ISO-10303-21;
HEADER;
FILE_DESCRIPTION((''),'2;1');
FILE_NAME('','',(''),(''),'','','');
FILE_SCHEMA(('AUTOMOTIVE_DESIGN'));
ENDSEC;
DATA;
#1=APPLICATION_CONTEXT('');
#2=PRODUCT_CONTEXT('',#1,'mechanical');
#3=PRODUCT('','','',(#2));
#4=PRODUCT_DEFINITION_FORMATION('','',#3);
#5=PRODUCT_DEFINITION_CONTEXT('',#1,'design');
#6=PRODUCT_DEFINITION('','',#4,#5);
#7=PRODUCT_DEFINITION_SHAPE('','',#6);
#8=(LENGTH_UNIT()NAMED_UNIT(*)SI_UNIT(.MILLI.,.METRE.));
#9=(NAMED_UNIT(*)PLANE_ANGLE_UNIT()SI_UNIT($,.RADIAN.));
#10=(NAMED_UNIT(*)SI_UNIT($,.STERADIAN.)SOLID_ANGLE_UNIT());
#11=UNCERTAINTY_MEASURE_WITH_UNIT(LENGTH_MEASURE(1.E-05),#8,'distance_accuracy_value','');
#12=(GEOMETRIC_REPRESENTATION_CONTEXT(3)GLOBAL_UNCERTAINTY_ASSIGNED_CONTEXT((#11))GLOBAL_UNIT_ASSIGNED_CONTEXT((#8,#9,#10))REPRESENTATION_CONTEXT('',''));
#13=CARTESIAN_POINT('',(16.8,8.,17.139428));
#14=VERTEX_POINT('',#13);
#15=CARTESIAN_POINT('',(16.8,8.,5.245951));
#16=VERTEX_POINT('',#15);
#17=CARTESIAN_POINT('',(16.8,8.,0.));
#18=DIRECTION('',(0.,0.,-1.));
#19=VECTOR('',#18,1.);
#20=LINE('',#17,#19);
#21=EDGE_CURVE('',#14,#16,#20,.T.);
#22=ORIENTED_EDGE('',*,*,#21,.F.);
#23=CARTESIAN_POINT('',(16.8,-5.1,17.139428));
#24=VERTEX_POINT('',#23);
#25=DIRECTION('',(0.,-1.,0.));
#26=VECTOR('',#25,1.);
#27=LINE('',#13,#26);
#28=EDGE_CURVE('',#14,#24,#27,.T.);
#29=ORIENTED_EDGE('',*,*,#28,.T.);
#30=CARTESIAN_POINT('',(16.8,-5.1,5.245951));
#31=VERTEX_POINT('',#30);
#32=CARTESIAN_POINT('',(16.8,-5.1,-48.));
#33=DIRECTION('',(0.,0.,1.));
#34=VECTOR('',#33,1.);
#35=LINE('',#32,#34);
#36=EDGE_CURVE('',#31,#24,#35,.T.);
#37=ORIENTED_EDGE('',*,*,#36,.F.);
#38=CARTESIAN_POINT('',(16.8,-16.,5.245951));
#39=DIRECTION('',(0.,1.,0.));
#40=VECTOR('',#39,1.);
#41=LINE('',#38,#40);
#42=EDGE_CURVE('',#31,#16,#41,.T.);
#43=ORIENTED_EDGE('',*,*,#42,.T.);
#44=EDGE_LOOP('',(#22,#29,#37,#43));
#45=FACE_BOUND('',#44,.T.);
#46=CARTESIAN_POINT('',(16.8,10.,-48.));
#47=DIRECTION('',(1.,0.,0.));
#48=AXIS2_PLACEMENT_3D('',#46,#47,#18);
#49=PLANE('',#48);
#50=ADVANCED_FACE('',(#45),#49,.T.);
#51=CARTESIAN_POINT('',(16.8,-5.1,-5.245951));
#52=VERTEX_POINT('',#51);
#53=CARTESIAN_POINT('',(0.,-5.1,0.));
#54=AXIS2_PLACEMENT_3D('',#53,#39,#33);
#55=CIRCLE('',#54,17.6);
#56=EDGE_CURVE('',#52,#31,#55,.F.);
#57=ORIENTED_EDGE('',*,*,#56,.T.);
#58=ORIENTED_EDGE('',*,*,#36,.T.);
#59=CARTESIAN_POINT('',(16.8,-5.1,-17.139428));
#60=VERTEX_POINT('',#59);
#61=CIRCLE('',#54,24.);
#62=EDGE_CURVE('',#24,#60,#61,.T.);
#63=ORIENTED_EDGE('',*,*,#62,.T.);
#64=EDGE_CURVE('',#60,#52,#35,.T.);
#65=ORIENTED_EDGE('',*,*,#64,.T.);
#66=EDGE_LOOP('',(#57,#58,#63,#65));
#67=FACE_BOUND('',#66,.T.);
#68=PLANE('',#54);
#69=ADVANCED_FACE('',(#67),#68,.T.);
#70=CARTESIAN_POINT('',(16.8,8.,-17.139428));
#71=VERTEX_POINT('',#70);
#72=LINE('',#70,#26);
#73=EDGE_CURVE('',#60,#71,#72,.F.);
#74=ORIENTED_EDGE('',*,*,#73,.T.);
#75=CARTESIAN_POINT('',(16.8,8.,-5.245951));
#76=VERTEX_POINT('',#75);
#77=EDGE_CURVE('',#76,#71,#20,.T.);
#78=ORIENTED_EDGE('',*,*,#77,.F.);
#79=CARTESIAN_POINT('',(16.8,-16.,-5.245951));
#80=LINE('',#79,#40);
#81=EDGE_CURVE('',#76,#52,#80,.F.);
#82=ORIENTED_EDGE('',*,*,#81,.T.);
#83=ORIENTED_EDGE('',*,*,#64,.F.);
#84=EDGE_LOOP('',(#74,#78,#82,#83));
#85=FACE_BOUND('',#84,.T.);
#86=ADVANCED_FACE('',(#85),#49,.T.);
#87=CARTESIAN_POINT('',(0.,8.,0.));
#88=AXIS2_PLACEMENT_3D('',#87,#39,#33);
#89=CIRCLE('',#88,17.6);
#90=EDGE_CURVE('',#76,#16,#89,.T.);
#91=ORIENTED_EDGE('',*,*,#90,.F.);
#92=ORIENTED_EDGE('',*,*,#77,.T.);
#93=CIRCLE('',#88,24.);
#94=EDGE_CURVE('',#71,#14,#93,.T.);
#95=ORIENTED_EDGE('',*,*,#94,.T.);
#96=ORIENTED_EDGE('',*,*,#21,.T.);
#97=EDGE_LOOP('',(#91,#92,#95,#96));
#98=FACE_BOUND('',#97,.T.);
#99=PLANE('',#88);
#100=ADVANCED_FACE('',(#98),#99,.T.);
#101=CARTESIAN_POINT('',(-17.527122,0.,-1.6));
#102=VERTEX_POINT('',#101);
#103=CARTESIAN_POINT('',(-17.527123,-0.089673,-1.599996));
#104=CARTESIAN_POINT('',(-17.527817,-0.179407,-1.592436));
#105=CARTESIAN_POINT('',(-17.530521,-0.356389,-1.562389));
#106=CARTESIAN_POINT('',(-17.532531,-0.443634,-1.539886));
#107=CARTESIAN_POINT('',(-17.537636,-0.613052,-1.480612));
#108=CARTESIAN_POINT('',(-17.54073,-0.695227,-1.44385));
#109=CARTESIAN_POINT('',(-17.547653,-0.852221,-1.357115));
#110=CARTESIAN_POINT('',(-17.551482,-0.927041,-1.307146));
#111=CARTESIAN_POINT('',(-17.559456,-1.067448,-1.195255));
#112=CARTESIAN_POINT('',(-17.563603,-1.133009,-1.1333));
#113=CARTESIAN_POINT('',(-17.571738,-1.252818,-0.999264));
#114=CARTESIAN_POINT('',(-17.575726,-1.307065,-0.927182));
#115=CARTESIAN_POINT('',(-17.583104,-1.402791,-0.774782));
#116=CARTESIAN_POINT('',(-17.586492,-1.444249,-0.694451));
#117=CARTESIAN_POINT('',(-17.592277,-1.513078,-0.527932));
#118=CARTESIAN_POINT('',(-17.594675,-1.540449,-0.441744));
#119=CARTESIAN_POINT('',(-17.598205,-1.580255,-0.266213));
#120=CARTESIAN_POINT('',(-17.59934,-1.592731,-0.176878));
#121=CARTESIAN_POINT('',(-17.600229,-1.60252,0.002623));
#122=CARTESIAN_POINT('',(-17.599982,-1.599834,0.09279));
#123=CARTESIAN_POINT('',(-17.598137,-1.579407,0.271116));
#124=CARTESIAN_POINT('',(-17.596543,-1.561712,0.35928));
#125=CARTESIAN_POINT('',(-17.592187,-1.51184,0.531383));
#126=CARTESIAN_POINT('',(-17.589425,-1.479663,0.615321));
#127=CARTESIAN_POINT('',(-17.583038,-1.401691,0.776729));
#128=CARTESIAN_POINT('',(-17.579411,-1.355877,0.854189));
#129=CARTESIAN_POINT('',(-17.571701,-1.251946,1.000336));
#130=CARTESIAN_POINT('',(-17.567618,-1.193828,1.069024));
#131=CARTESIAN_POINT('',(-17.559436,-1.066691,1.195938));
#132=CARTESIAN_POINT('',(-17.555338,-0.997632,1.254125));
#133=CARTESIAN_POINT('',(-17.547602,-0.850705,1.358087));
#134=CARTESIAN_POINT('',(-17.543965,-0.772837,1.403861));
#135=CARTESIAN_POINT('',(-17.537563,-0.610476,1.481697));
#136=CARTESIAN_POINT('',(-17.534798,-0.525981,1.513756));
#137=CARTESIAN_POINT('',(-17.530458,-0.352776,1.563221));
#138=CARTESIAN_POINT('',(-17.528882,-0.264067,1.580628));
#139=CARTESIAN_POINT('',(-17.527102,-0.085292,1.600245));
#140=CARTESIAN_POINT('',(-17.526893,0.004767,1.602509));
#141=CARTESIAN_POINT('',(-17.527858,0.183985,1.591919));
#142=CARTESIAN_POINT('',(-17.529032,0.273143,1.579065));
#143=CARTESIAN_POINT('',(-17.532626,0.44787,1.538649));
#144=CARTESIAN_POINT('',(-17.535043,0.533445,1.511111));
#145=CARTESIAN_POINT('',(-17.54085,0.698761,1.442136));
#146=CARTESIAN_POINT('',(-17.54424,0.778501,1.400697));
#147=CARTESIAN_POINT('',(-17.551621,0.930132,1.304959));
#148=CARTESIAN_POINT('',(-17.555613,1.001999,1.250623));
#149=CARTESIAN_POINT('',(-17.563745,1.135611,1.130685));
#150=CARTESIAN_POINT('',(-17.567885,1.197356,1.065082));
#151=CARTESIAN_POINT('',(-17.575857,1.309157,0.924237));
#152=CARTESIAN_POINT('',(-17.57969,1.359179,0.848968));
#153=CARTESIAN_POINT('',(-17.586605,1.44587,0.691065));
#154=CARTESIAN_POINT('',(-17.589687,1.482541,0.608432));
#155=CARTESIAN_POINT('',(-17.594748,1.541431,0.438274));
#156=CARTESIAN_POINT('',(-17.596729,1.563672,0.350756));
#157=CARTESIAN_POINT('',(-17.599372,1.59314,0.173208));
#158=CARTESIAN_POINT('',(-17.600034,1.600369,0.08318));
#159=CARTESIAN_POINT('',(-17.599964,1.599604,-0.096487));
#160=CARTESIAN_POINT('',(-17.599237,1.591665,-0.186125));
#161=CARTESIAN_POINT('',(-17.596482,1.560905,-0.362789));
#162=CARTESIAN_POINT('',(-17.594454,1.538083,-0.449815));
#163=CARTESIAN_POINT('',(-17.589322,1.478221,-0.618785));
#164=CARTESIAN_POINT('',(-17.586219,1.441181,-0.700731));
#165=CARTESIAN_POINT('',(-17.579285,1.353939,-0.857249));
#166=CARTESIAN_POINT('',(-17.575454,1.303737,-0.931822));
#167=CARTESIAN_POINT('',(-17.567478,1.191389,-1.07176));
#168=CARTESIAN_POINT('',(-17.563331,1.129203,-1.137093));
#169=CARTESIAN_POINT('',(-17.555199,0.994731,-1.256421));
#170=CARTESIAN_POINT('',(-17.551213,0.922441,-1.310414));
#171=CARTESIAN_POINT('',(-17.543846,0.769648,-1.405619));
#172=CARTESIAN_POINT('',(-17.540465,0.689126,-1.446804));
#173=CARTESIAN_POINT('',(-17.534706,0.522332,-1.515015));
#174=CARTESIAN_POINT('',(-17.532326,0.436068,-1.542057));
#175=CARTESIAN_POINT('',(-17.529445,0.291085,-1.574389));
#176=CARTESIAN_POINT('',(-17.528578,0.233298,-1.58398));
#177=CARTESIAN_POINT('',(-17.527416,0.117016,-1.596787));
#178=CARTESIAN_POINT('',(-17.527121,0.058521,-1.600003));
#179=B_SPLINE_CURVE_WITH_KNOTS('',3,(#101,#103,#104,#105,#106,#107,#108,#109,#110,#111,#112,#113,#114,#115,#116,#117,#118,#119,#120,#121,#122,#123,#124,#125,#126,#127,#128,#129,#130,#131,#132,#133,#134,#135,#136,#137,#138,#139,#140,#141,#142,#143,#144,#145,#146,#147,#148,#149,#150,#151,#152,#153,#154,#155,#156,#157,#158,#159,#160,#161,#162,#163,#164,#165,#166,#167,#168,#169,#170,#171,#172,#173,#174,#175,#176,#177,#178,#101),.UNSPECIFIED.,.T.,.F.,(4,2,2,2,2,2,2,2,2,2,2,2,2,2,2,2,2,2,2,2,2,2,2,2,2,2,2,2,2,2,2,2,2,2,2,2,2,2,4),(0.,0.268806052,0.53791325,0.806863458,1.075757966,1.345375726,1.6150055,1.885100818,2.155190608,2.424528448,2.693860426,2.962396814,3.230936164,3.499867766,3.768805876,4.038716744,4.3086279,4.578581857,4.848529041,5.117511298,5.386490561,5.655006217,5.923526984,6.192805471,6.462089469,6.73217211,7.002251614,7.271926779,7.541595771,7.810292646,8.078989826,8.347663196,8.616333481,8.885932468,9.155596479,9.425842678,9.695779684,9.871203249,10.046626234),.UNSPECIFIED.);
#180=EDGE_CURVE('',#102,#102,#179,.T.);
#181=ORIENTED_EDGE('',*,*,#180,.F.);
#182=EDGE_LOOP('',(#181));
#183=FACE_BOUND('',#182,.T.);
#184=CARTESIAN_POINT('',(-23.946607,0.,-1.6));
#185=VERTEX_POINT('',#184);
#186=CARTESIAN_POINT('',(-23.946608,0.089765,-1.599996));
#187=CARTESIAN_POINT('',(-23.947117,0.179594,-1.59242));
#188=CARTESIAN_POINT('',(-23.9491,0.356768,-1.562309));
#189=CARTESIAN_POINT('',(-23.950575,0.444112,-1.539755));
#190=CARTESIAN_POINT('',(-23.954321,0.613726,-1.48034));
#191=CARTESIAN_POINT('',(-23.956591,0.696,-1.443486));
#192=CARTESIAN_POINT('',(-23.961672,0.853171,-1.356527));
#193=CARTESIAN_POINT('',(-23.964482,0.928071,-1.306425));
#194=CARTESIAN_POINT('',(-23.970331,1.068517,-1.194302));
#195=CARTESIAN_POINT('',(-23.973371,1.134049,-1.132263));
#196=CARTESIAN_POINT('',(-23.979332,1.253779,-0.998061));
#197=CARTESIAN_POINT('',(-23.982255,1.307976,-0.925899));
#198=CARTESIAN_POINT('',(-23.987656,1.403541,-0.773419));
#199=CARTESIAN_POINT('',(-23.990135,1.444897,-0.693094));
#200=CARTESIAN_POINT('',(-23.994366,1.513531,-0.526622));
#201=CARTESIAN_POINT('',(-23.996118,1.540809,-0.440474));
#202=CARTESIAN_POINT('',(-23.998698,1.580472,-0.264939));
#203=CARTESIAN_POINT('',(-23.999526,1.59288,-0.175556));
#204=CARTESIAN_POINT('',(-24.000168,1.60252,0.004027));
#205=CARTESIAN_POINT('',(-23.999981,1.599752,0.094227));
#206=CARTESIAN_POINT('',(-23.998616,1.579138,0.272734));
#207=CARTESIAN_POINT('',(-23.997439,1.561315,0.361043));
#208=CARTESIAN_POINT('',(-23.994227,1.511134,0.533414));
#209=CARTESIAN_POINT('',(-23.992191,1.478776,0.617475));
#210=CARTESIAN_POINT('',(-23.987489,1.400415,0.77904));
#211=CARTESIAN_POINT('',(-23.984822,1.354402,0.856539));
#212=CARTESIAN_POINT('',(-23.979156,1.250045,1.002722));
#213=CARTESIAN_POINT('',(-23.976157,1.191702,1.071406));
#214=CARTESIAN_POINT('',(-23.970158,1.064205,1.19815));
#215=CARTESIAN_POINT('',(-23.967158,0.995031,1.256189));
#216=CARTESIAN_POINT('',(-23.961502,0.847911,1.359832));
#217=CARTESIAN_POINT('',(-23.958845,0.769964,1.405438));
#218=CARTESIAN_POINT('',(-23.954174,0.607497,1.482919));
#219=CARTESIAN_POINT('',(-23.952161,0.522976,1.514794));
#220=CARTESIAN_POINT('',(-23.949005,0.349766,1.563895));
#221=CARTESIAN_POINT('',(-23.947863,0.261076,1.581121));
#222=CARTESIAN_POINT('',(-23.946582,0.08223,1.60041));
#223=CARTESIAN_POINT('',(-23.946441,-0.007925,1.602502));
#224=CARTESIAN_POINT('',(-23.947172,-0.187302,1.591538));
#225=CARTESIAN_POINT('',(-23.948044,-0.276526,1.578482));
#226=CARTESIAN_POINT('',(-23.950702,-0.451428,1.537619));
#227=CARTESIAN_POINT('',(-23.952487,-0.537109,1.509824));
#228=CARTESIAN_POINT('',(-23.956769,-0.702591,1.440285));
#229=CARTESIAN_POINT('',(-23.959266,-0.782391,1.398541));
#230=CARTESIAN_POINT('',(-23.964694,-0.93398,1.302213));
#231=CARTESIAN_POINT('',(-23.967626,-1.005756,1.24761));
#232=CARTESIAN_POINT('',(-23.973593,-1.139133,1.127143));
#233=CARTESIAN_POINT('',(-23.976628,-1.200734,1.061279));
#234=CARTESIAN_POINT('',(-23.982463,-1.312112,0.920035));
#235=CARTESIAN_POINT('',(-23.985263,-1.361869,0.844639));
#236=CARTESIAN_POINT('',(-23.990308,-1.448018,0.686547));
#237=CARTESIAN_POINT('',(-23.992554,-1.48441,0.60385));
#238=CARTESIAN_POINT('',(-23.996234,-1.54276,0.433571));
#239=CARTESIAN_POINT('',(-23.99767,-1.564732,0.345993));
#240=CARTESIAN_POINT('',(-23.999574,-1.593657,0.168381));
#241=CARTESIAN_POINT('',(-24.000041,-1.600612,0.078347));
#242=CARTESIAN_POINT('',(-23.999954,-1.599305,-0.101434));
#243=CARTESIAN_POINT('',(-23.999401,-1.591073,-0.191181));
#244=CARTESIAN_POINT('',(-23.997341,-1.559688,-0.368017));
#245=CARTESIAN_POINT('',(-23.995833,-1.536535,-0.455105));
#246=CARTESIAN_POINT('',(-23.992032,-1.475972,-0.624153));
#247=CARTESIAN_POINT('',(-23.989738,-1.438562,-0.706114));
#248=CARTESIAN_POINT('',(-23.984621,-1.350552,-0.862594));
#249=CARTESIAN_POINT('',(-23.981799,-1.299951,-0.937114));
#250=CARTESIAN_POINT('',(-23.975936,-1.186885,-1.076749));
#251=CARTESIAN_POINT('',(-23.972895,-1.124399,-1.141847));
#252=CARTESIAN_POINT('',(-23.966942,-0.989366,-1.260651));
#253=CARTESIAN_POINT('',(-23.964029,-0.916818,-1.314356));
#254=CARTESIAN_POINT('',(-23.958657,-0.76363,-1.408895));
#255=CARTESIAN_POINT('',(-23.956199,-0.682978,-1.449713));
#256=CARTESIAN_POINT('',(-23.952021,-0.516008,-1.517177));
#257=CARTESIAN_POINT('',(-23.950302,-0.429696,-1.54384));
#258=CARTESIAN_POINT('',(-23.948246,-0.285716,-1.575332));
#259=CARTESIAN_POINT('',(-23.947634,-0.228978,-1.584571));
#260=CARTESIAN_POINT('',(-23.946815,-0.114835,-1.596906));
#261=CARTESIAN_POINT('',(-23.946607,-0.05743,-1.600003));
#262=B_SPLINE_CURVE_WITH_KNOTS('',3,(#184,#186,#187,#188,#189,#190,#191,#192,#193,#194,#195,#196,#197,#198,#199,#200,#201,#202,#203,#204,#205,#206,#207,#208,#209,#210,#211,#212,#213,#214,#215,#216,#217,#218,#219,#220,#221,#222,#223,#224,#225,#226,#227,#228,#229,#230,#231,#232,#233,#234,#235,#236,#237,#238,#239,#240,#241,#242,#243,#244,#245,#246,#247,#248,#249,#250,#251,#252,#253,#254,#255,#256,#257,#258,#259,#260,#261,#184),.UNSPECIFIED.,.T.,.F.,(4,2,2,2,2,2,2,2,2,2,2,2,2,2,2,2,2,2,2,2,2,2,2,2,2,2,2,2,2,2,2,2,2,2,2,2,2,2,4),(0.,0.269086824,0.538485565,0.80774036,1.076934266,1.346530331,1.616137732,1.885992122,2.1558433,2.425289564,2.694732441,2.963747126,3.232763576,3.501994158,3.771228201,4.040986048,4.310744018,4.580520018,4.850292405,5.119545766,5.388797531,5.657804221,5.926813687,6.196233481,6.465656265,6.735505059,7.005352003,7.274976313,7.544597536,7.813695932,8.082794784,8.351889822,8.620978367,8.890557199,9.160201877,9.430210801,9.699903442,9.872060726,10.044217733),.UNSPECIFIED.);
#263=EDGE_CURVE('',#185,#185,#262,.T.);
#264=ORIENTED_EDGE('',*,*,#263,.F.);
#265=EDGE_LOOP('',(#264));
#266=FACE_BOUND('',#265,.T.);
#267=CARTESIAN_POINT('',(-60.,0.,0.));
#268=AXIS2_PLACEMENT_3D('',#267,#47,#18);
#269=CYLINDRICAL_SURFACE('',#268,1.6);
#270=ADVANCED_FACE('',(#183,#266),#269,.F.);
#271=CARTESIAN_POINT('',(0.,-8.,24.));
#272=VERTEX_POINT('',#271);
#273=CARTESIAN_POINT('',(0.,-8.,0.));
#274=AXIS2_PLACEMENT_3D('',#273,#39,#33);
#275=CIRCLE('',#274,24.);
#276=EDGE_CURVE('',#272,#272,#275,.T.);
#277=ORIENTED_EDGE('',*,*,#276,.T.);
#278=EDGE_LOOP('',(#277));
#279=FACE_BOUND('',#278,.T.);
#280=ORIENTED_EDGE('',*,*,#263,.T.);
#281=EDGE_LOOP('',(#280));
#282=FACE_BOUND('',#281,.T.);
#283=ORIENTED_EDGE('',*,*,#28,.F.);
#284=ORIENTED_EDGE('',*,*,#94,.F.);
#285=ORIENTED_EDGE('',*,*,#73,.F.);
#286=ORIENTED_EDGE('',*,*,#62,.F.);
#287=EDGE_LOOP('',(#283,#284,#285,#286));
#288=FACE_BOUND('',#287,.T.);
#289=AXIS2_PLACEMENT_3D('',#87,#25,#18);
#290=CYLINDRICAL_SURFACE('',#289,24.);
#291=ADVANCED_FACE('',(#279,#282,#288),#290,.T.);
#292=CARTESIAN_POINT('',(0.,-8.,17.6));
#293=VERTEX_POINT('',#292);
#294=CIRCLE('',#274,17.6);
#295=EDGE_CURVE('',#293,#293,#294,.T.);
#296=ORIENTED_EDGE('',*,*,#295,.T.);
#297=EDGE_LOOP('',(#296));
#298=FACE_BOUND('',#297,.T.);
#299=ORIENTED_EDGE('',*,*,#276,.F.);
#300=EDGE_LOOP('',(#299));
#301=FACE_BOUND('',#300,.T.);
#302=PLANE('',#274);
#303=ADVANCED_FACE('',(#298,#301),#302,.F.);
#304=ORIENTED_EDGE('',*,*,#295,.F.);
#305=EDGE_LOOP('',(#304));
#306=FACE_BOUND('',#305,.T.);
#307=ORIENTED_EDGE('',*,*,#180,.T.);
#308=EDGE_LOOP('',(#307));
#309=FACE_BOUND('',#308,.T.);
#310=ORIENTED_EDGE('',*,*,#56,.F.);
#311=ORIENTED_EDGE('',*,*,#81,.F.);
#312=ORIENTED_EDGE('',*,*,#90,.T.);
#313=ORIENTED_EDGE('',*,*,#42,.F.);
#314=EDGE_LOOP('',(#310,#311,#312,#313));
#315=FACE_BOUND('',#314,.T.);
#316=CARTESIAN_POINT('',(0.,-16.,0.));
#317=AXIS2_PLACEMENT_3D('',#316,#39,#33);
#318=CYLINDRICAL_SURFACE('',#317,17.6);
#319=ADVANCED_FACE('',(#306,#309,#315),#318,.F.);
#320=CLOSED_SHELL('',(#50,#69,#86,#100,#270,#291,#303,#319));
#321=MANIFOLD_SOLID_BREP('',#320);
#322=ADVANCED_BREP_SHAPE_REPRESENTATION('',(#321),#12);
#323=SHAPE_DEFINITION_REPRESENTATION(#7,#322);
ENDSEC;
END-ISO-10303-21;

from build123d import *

# Parameters (mm, degrees)
SKETCH1_R           = 24
BOSS_EXTRUDE1_DEPTH = 8
SKETCH2_R           = 17.6
CUT_EXTRUDE1_DEPTH  = 16
CUT_EXTRUDE2_START  = -5.1
SKETCH3_W           = 10.2
SKETCH3_H           = 96
CUT_EXTRUDE2_DEPTH  = 15.1
SKETCH4_R           = 1.6
CUT_EXTRUDE3_DEPTH  = 60


with BuildPart() as part:
    # Sketch1 → Boss-Extrude1 (new, symmetric)
    with BuildSketch(Plane(origin=(0, 0, 0), x_dir=(1, 0, 0), z_dir=(0, 1, 0))):
        with Locations(Location((0, 0, 0), (0, 0, 270))):
            Circle(SKETCH1_R)
    extrude(amount=BOSS_EXTRUDE1_DEPTH, both=True)

    # Sketch2 → Cut-Extrude1 (cut, symmetric)
    with BuildSketch(Plane(origin=(0, 0, 0), x_dir=(1, 0, 0), z_dir=(0, 1, 0))):
        with Locations(Location((0, 0, 0), (0, 0, 270))):
            Circle(SKETCH2_R)
    extrude(amount=CUT_EXTRUDE1_DEPTH, both=True, mode=Mode.SUBTRACT)

    # Sketch3 → Cut-Extrude2 (cut)
    with BuildSketch(Plane(origin=(0, 0, 0), x_dir=(1, 0, 0), z_dir=(0, 1, 0)).offset(CUT_EXTRUDE2_START)):
        with Locations((21.9, 0)):
            Rectangle(SKETCH3_W, SKETCH3_H)
    extrude(amount=CUT_EXTRUDE2_DEPTH, mode=Mode.SUBTRACT)

    # Sketch4 → Cut-Extrude3 (cut, symmetric)
    with BuildSketch(Plane(origin=(0, 0, 0), x_dir=(0, 0, -1), z_dir=(1, 0, 0))):
        Circle(SKETCH4_R)
    extrude(amount=CUT_EXTRUDE3_DEPTH, both=True, mode=Mode.SUBTRACT)


solid = part.part
